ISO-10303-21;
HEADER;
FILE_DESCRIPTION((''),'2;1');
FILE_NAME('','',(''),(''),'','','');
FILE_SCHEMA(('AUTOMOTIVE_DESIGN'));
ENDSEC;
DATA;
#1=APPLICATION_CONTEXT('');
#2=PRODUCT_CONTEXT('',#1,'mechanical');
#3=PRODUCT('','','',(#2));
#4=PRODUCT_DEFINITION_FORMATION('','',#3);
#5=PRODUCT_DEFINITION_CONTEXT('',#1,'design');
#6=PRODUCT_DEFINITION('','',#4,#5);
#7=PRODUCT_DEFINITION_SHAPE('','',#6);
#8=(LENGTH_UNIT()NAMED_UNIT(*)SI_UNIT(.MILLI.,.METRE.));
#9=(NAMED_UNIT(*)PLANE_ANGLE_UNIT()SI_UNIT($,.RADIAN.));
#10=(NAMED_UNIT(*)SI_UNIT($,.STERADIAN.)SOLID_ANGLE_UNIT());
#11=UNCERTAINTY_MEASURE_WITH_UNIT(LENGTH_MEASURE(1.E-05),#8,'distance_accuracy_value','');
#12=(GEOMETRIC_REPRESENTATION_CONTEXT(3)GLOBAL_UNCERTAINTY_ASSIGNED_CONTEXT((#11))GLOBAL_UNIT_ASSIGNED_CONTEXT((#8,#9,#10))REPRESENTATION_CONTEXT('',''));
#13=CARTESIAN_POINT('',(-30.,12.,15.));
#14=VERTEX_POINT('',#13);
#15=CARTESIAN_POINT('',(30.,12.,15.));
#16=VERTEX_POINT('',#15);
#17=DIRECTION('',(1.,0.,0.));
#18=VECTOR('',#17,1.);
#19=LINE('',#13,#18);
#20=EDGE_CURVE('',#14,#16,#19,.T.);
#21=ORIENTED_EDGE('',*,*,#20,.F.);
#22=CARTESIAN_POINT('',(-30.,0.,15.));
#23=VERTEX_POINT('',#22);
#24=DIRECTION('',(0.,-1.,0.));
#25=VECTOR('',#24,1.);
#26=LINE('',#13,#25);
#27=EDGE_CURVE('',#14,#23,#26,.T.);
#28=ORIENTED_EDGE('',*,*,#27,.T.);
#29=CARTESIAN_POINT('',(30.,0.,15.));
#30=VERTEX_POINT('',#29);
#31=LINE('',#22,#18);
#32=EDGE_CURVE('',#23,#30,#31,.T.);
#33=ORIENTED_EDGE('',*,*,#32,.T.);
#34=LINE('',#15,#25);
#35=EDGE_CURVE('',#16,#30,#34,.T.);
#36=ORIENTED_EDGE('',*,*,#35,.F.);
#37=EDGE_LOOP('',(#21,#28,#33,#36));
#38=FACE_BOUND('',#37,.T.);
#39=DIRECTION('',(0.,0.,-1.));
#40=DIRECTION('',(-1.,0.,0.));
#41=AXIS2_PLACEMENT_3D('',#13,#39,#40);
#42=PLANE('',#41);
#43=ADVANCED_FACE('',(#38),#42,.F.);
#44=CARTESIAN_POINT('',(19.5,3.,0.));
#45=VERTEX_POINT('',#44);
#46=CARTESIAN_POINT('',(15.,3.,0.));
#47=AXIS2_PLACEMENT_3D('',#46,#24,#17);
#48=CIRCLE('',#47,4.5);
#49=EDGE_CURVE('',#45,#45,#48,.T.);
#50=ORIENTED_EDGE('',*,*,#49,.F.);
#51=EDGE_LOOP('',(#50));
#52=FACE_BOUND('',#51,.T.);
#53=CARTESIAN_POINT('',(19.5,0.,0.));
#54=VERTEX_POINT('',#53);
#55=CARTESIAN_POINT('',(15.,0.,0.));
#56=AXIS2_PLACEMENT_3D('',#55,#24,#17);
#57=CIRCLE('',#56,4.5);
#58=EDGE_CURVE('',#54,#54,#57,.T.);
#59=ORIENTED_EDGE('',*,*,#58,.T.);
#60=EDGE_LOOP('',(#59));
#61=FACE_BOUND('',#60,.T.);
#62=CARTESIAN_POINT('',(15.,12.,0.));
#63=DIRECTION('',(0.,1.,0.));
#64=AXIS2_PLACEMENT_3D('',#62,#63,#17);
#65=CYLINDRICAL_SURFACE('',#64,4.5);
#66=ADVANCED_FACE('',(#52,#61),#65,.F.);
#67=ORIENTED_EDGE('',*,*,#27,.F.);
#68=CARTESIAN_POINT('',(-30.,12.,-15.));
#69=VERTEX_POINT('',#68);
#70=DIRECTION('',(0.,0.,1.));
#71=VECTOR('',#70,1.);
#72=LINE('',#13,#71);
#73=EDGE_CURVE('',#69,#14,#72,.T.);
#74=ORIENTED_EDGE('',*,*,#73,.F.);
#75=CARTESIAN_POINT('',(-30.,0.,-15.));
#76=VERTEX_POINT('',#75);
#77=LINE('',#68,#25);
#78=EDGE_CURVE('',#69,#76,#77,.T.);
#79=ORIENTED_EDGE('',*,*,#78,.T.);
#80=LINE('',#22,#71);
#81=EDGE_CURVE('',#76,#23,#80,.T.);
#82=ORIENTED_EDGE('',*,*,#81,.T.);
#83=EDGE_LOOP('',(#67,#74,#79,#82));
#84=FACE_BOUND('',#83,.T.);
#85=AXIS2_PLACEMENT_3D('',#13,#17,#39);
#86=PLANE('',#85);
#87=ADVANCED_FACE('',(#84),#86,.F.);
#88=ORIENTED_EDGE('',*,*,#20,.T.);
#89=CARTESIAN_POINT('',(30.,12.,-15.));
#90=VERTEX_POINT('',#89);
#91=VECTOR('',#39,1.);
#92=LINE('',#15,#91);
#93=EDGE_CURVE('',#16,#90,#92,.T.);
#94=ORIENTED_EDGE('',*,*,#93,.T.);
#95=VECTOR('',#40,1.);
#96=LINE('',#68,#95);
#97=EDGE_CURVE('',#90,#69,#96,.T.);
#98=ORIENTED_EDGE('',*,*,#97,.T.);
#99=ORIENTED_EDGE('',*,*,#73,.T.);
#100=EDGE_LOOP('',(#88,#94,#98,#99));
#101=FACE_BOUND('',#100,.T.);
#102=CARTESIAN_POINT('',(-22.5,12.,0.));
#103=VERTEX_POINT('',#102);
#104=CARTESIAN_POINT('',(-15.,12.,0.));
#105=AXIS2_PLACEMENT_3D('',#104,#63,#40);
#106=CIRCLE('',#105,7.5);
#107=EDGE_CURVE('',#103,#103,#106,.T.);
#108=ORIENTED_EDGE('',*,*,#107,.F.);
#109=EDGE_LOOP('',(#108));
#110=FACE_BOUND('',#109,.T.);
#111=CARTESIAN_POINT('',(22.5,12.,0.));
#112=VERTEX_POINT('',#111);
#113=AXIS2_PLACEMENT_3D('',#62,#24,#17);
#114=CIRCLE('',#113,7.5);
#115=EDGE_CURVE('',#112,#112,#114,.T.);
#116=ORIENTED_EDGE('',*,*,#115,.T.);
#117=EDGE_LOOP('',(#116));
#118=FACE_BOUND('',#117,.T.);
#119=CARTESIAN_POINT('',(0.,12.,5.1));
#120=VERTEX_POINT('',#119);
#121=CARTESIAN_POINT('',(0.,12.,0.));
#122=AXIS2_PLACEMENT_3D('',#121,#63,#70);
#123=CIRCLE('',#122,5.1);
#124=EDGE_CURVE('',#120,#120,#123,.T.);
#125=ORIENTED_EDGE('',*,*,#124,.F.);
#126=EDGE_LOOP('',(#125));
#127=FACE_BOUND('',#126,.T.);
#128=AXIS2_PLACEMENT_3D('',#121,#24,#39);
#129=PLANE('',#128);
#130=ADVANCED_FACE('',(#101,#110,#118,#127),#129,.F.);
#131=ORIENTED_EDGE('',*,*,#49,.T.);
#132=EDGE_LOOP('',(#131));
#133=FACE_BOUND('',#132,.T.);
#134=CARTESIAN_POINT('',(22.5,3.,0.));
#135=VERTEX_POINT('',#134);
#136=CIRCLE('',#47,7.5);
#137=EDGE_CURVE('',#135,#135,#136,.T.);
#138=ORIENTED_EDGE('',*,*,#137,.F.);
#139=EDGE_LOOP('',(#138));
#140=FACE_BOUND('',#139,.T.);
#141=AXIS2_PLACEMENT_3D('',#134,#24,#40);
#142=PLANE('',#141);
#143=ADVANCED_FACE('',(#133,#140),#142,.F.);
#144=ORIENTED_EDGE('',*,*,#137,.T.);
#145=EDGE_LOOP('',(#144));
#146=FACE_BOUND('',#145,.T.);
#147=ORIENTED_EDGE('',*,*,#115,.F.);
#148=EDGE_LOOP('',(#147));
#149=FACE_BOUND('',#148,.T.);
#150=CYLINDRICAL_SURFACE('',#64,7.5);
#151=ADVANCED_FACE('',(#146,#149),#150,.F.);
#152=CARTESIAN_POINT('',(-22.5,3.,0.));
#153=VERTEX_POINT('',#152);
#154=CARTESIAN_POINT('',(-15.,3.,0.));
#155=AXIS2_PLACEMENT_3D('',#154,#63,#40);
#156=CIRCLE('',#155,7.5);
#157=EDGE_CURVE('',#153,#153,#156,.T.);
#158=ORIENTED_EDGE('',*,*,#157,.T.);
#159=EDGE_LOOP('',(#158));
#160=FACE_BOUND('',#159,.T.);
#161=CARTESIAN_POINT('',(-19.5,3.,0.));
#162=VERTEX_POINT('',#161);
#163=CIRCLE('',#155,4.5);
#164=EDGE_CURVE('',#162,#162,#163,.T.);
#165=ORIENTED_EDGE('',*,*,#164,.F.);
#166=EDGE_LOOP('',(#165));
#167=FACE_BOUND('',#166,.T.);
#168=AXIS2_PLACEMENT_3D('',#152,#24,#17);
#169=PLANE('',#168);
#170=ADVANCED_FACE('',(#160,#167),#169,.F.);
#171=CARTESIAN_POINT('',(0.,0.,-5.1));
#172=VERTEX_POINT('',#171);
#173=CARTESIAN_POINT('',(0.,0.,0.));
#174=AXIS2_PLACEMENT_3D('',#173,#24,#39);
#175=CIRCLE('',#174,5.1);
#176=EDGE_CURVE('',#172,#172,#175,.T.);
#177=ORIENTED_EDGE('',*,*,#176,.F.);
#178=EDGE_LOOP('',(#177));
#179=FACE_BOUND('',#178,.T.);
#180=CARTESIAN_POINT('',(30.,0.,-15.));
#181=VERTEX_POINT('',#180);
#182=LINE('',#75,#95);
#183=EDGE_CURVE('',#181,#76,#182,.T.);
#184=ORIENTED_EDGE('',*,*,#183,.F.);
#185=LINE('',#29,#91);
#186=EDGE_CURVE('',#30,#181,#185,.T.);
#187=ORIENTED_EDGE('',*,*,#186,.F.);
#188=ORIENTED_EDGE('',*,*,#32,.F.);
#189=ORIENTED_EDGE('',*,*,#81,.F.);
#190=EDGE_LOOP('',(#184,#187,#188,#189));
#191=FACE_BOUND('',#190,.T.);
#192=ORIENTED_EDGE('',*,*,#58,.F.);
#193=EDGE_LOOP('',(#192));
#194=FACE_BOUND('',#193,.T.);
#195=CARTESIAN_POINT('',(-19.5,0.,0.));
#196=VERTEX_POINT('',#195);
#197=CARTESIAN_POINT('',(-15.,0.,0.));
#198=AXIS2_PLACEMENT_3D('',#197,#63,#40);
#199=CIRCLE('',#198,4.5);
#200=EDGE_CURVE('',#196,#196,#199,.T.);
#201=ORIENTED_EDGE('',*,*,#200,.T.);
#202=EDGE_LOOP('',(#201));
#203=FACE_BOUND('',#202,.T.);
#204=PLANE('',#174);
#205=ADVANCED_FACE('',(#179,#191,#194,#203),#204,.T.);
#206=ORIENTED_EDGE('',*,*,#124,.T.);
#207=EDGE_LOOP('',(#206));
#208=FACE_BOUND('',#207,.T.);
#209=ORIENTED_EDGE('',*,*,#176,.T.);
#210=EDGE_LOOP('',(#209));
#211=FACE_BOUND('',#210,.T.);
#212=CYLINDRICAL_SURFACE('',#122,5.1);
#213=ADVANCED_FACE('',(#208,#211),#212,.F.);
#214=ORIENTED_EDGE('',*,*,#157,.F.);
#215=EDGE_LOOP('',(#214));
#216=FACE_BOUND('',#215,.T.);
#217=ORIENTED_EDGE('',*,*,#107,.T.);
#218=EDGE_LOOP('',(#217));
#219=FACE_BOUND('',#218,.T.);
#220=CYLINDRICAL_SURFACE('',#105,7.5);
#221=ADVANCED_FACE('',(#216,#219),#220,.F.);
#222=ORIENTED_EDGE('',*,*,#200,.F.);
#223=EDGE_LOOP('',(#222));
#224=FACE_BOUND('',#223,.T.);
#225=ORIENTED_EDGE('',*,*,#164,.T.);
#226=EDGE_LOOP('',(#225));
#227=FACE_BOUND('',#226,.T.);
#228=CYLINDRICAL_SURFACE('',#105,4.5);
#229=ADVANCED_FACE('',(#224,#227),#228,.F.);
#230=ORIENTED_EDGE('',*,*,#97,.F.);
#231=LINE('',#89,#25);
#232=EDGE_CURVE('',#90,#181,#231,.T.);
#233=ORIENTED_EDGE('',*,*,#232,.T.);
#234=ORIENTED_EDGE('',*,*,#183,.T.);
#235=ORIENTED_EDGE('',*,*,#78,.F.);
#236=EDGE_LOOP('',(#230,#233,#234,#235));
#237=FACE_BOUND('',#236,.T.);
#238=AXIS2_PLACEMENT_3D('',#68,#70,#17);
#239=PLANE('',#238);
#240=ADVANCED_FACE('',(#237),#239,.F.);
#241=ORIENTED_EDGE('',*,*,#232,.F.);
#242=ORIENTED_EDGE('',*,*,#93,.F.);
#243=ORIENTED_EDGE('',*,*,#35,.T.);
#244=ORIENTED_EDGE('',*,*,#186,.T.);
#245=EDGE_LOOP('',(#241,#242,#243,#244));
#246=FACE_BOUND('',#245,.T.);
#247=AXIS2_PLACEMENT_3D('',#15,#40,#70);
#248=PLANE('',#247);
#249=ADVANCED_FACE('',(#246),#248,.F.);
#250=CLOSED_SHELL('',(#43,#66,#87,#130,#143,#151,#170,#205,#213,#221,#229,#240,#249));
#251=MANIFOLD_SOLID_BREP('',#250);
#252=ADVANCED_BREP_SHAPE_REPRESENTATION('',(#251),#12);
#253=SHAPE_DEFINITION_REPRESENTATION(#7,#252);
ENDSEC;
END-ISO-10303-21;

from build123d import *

# Parameters (mm, degrees)
SKETCH_1_W             = 60
SKETCH_1_H             = 30
EXTRUDE_1_DEPTH        = 12
HOLE_WIZARD_M121_D     = 10.2
HOLE_WIZARD_M121_DEPTH = 12


with BuildPart() as part:
    # Эскиз1 → Бобышка-Вытянуть1 (new body)
    with BuildSketch(Plane(origin=(0, 0, 0), x_dir=(1, 0, 0), z_dir=(0, 1, 0))):
        Rectangle(SKETCH_1_W, SKETCH_1_H)
    extrude(amount=EXTRUDE_1_DEPTH)

    # Эскиз2 → Вырез-Повернуть1 (revolve, cut)
    with BuildSketch(Plane.XY):
        Polygon((-22.5, 12), (-22.5, 3), (-19.5, 3), (-19.5, 0), (-15, 0), (-15, 12), align=None)
    cut_revolve_1 = revolve(axis=Axis((-15, 12, 0), (0, -1, 0)), mode=Mode.SUBTRACT)

    # Зеркальное отражение1: Вырез-Повернуть1 across plane
    add(cut_revolve_1.mirror(Plane(origin=(0, 0, 0), x_dir=(0, 0, 1), z_dir=(1, 0, 0))), mode=Mode.SUBTRACT)

    # Отверстие обработанное метчиком M121
    with Locations(Plane(origin=(0, 12, 0), x_dir=(1, 0, 0), z_dir=(0, 1, 0))):
        with Locations((0, 0)):
            Hole(HOLE_WIZARD_M121_D / 2, depth=HOLE_WIZARD_M121_DEPTH)


solid = part.part
